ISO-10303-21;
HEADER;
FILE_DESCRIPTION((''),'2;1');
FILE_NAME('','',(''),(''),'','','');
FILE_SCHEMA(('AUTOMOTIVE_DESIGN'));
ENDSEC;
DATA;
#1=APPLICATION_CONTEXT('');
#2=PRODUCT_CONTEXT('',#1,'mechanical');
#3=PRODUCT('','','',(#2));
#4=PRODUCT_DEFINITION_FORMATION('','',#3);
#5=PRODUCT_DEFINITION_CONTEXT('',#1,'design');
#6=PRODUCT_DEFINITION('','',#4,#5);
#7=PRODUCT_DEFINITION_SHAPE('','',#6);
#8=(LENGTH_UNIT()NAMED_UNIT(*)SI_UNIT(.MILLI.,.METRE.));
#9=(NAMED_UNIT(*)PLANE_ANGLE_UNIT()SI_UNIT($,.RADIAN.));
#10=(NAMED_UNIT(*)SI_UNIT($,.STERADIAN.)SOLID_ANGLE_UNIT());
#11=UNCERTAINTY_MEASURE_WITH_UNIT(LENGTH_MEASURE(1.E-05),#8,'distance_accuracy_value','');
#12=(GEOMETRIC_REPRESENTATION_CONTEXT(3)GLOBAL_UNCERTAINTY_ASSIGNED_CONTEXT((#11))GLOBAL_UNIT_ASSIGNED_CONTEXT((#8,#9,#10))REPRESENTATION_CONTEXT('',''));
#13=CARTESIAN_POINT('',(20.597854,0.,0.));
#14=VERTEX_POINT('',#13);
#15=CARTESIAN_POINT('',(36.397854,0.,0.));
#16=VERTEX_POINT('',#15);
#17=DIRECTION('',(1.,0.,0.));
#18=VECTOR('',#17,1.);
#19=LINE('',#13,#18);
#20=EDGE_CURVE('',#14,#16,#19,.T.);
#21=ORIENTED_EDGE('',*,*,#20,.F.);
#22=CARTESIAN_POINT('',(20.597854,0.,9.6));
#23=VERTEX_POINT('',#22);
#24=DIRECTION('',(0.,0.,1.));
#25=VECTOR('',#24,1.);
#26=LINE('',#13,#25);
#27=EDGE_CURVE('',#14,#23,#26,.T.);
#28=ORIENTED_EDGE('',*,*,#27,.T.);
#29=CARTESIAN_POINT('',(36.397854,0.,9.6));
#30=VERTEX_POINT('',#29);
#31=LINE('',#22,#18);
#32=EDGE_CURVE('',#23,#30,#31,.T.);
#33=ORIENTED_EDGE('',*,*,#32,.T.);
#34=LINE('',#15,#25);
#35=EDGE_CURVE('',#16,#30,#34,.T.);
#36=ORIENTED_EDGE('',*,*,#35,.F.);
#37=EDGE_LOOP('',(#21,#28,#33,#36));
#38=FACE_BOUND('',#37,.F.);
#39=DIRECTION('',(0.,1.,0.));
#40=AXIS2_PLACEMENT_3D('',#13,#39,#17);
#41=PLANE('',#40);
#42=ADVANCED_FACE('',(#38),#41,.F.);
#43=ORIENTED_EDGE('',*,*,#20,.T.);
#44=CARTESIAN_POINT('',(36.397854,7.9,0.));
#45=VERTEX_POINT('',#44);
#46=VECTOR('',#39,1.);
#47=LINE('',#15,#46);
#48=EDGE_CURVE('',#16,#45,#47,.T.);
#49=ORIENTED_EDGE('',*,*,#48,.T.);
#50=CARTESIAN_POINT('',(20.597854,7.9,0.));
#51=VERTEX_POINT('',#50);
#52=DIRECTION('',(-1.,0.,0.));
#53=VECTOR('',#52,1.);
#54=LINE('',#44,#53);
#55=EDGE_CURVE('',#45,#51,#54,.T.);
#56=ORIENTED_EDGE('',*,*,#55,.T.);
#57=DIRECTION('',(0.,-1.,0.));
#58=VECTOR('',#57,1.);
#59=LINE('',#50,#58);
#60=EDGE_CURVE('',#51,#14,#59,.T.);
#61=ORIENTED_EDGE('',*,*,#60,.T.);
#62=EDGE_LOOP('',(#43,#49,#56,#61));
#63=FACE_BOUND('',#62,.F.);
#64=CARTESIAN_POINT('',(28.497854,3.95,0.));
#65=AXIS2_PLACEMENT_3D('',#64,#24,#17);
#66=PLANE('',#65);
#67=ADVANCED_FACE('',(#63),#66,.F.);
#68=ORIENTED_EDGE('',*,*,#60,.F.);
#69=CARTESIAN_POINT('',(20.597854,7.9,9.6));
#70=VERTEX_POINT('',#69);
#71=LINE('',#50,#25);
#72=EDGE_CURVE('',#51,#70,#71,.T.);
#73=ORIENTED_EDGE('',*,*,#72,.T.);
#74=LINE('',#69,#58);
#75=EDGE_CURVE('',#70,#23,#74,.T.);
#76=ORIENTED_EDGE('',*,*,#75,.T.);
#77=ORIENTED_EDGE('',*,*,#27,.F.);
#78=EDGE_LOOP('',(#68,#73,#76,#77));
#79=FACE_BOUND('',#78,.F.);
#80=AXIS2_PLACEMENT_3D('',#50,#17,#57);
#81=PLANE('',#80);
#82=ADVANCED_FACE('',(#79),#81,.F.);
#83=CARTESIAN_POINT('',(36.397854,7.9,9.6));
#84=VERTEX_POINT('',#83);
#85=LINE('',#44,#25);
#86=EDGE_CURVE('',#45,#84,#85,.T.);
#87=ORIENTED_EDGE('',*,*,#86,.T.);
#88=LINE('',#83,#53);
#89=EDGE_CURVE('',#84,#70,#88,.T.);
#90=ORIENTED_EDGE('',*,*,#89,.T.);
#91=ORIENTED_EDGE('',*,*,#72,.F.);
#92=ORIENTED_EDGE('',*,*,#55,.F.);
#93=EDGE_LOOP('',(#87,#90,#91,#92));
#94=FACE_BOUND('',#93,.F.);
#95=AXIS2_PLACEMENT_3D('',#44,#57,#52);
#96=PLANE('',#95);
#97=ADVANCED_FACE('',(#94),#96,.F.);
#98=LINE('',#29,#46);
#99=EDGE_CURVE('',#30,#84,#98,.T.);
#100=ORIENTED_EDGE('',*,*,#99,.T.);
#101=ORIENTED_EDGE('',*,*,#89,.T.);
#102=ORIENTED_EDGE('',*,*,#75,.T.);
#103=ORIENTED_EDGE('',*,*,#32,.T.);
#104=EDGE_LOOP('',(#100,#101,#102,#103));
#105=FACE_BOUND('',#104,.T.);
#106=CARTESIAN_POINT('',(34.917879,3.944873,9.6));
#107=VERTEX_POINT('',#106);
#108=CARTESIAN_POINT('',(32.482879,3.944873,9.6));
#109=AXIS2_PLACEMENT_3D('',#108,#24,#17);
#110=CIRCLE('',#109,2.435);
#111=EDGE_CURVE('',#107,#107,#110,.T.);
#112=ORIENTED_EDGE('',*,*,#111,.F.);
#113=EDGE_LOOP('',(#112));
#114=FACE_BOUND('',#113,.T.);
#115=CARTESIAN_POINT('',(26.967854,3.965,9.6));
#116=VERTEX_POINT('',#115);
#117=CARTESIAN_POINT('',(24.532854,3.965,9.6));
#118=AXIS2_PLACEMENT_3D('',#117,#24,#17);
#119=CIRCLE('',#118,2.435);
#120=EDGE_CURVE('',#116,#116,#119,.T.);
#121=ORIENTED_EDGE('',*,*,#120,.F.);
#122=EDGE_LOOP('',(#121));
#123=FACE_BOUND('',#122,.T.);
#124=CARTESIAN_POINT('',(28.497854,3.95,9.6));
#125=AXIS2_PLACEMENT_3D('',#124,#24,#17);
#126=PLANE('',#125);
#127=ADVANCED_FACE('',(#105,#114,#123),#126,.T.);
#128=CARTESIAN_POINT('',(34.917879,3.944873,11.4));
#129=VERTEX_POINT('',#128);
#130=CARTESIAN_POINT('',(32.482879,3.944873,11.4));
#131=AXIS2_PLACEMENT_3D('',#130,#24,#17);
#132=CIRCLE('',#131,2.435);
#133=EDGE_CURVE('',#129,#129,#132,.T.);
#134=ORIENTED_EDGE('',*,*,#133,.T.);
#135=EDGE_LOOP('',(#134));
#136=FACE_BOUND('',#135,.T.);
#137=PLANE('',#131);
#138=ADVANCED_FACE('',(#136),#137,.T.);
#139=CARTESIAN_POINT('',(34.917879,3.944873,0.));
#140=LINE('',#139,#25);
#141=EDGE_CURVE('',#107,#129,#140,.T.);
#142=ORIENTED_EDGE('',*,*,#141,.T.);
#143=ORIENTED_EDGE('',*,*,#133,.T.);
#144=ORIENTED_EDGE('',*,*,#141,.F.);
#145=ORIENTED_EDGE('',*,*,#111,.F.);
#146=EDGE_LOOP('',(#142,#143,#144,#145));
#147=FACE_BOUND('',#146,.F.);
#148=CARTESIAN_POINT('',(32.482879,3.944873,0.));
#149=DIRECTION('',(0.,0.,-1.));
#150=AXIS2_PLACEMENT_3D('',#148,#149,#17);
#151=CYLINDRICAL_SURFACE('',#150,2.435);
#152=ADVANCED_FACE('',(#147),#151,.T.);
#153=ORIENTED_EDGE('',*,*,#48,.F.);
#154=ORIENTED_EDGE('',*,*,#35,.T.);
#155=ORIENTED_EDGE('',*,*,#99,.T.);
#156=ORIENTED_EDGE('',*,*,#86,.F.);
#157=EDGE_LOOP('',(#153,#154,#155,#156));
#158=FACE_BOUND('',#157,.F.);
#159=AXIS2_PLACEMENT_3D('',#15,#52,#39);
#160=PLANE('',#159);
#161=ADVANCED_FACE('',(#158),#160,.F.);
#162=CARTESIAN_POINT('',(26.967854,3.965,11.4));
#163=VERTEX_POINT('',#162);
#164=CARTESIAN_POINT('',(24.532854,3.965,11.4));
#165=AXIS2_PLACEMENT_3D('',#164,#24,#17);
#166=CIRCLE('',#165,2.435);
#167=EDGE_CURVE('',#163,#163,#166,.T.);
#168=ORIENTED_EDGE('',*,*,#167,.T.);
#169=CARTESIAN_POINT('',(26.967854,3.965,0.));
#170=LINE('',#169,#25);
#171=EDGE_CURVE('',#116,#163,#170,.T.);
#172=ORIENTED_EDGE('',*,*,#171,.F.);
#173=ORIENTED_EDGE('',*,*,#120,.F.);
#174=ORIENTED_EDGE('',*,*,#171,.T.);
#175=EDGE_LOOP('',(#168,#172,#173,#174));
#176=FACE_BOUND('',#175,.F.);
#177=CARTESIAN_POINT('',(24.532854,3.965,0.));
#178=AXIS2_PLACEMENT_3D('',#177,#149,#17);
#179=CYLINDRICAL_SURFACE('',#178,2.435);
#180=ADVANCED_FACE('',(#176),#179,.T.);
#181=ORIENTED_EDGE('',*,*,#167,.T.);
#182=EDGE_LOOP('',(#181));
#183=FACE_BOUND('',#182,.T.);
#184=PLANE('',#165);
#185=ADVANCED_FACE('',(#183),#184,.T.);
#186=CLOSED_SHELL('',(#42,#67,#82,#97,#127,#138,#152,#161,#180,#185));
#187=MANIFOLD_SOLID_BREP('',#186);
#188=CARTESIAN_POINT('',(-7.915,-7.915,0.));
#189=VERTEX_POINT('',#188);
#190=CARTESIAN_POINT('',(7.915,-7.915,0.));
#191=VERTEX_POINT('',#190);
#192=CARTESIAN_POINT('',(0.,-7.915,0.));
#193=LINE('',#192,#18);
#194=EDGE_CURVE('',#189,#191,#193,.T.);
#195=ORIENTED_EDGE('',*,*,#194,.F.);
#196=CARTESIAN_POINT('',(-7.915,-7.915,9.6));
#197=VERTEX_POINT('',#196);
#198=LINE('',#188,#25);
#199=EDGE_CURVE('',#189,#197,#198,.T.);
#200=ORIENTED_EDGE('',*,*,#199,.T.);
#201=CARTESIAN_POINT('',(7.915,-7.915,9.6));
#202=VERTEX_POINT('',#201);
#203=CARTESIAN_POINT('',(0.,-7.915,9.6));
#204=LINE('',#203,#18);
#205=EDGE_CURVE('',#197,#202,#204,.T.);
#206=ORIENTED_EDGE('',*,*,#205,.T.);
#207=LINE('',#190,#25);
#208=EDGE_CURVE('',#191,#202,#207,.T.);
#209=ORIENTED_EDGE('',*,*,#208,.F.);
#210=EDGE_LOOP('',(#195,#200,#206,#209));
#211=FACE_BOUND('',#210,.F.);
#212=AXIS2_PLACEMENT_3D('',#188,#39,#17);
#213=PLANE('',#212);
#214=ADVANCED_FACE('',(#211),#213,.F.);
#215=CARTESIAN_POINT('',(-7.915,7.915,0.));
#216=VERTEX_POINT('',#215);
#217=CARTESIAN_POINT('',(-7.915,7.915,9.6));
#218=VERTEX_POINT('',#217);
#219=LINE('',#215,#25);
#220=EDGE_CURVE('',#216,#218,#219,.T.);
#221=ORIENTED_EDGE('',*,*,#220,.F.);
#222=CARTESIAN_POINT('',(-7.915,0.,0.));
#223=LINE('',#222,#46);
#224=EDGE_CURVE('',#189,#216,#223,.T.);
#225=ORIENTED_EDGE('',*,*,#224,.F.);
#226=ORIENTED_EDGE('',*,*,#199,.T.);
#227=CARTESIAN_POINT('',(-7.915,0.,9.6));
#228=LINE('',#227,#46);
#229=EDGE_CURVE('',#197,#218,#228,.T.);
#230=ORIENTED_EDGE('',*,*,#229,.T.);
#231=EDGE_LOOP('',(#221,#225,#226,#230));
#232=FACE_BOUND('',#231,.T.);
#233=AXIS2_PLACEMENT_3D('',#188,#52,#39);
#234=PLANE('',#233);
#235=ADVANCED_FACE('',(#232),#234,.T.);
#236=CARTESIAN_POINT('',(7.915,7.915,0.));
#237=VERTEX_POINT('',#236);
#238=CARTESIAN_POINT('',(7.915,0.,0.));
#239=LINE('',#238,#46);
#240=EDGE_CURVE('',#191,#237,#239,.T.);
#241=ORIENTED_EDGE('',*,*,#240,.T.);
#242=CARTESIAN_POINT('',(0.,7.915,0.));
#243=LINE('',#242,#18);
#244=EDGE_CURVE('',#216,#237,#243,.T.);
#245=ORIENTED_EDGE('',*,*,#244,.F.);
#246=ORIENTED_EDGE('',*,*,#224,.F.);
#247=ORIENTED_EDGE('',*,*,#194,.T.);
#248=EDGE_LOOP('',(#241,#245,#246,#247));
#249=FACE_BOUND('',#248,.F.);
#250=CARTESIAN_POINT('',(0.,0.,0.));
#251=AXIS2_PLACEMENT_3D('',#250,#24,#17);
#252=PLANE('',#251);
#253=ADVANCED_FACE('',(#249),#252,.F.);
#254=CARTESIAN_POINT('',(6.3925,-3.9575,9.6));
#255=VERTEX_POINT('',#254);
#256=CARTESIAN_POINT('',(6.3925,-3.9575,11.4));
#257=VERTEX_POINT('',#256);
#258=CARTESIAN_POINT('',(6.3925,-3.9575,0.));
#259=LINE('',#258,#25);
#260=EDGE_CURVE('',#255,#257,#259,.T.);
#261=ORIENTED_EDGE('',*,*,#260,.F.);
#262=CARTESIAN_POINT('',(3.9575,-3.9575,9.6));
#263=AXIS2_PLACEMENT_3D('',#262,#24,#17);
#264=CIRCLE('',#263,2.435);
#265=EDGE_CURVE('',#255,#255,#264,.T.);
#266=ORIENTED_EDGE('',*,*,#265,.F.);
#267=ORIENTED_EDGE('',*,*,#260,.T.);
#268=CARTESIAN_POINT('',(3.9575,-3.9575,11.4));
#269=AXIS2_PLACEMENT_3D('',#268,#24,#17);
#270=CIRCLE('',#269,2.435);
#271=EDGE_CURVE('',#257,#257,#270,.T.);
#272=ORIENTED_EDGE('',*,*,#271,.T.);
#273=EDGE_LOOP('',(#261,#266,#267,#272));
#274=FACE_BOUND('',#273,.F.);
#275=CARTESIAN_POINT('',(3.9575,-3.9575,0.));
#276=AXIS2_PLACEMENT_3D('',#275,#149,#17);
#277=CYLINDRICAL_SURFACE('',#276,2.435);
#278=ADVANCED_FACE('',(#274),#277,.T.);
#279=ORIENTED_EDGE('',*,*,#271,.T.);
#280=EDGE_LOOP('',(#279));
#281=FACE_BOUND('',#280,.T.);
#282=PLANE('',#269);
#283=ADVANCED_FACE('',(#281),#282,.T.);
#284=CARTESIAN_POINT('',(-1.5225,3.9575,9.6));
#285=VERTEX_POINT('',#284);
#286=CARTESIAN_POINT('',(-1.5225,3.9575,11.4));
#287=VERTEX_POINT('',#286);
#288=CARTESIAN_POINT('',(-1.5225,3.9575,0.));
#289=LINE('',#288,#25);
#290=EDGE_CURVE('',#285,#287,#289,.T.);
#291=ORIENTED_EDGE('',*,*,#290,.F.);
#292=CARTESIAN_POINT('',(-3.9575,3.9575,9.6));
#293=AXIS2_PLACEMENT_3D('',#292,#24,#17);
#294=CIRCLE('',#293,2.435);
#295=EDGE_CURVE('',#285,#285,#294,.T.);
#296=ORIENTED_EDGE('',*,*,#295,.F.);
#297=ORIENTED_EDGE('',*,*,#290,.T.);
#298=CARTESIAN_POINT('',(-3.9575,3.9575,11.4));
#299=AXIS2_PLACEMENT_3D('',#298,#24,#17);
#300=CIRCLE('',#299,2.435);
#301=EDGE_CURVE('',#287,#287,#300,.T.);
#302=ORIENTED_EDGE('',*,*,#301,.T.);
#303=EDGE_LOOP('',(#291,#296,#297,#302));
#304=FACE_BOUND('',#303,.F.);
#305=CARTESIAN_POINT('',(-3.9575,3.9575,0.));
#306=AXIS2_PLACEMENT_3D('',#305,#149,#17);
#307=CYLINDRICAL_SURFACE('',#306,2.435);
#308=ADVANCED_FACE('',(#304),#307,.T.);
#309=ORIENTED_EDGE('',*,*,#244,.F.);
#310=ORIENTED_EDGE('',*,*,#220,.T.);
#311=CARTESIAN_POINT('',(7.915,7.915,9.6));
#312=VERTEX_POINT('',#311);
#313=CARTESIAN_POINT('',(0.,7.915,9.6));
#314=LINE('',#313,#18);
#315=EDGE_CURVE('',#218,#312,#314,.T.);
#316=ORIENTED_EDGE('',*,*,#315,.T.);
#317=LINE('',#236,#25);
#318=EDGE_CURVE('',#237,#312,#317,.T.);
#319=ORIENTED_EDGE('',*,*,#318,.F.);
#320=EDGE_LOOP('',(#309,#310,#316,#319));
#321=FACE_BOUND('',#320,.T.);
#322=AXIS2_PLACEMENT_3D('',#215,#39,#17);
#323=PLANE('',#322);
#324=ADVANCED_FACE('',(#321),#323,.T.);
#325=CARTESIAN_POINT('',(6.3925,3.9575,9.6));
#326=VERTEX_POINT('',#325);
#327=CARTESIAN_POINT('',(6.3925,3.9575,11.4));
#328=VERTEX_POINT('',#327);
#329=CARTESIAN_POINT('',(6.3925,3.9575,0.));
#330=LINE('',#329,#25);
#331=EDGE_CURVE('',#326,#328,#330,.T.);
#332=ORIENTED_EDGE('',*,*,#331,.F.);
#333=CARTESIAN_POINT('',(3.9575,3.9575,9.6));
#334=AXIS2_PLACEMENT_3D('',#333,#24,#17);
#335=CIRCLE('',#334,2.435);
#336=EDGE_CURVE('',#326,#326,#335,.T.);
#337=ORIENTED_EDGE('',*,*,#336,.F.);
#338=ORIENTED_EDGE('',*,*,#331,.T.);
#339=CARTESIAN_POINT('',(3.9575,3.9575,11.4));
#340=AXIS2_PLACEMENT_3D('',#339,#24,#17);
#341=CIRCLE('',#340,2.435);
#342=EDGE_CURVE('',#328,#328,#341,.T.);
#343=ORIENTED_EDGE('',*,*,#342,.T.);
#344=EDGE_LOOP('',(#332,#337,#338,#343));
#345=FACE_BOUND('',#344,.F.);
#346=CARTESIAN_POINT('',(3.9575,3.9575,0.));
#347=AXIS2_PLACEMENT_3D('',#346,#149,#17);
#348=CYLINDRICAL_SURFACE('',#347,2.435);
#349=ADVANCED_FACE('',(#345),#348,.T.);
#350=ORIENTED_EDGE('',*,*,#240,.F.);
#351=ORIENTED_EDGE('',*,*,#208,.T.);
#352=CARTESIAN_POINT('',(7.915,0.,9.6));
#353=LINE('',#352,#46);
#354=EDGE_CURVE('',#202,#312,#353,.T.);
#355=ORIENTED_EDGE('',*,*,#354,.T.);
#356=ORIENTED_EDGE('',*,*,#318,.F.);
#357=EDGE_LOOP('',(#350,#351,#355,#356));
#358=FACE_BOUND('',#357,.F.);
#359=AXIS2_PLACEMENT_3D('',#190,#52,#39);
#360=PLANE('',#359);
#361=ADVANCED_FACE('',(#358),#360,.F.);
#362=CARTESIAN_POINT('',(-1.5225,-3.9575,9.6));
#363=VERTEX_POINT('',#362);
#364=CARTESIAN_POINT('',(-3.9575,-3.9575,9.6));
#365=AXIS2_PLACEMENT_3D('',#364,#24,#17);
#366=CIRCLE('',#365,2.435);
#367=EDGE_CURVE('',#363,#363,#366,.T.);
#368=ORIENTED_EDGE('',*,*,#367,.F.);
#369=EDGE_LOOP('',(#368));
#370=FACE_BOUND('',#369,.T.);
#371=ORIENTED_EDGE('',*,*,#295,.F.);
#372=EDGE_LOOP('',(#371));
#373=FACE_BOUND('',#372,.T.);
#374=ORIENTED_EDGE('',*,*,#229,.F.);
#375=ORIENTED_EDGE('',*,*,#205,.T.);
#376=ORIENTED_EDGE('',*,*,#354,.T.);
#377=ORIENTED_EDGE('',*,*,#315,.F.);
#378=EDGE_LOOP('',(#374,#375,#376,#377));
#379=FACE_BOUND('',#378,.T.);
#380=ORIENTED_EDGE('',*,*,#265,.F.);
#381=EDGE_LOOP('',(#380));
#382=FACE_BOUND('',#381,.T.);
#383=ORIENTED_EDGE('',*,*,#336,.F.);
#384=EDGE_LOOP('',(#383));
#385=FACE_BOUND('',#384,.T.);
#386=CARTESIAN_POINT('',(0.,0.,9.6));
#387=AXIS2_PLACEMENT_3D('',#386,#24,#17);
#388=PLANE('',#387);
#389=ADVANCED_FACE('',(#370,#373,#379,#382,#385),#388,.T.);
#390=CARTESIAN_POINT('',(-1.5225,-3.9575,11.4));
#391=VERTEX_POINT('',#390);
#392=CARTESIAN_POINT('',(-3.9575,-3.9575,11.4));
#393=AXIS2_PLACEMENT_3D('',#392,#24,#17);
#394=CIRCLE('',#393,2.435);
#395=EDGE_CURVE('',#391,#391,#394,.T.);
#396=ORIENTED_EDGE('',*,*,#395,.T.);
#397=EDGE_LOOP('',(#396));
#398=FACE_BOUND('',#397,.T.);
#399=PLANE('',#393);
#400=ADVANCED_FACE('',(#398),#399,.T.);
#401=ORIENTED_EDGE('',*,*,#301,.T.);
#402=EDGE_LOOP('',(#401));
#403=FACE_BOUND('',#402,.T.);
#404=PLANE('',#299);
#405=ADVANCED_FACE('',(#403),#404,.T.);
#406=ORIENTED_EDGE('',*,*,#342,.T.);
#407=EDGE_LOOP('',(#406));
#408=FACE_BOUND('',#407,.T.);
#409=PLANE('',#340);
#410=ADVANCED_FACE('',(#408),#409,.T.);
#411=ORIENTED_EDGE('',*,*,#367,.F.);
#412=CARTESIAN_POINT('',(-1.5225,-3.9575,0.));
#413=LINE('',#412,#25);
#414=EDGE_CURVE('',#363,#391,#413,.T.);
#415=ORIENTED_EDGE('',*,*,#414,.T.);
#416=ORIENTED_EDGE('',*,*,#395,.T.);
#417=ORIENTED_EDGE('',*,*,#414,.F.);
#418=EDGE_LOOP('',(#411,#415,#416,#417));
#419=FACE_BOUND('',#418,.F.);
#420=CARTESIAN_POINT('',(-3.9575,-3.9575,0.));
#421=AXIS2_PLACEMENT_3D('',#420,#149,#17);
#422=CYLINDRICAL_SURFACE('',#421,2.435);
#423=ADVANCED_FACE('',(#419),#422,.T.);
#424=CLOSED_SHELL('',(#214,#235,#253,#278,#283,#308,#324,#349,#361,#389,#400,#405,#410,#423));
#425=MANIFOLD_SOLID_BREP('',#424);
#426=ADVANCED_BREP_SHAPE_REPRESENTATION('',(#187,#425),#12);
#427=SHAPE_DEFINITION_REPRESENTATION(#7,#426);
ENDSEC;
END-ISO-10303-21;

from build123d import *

# Parameters (mm, degrees)
F0_W     = 15.83
F0_H     = 15.83
F0_R     = 2.435
F1_DEPTH = 9.6
F2_DEPTH = 11.4


with BuildPart() as f1:
    # F0 (on Top) → F1 (new body)
    with BuildSketch(Plane.XY):
        Rectangle(F0_W, F0_H)
        with Locations((-3.9575, -3.9575)):
            Circle(F0_R, mode=Mode.SUBTRACT)
        with Locations((3.9575, -3.9575)):
            Circle(F0_R, mode=Mode.SUBTRACT)
        with Locations((-3.9575, 3.9575)):
            Circle(F0_R, mode=Mode.SUBTRACT)
        with Locations((3.9575, 3.9575)):
            Circle(F0_R, mode=Mode.SUBTRACT)
        Polygon((22.097854, 7.9), (20.597854, 7.9), (20.597854, 6.4), (20.597854, 0), (36.397854, 0), (36.397854, 7.9), (30.067854, 7.9), (28.517854, 7.9), (26.967854, 7.9), align=None)
        with Locations((32.482879, 3.944873)):
            Circle(F0_R, mode=Mode.SUBTRACT)
        with Locations((24.532854, 3.965)):
            Circle(F0_R, mode=Mode.SUBTRACT)
    extrude(amount=F1_DEPTH)

    # F0 (on Top) → F2 (join)
    with BuildSketch(Plane.XY):
        with Locations((-3.9575, 3.9575)):
            Circle(F0_R)
        with Locations((3.9575, 3.9575)):
            Circle(F0_R)
        with Locations((3.9575, -3.9575)):
            Circle(F0_R)
        with Locations((24.532854, 3.965)):
            Circle(F0_R)
        with Locations((32.482879, 3.944873)):
            Circle(F0_R)
        with Locations((-3.9575, -3.9575)):
            Circle(F0_R)
    extrude(amount=F2_DEPTH)


solid = f1.part
